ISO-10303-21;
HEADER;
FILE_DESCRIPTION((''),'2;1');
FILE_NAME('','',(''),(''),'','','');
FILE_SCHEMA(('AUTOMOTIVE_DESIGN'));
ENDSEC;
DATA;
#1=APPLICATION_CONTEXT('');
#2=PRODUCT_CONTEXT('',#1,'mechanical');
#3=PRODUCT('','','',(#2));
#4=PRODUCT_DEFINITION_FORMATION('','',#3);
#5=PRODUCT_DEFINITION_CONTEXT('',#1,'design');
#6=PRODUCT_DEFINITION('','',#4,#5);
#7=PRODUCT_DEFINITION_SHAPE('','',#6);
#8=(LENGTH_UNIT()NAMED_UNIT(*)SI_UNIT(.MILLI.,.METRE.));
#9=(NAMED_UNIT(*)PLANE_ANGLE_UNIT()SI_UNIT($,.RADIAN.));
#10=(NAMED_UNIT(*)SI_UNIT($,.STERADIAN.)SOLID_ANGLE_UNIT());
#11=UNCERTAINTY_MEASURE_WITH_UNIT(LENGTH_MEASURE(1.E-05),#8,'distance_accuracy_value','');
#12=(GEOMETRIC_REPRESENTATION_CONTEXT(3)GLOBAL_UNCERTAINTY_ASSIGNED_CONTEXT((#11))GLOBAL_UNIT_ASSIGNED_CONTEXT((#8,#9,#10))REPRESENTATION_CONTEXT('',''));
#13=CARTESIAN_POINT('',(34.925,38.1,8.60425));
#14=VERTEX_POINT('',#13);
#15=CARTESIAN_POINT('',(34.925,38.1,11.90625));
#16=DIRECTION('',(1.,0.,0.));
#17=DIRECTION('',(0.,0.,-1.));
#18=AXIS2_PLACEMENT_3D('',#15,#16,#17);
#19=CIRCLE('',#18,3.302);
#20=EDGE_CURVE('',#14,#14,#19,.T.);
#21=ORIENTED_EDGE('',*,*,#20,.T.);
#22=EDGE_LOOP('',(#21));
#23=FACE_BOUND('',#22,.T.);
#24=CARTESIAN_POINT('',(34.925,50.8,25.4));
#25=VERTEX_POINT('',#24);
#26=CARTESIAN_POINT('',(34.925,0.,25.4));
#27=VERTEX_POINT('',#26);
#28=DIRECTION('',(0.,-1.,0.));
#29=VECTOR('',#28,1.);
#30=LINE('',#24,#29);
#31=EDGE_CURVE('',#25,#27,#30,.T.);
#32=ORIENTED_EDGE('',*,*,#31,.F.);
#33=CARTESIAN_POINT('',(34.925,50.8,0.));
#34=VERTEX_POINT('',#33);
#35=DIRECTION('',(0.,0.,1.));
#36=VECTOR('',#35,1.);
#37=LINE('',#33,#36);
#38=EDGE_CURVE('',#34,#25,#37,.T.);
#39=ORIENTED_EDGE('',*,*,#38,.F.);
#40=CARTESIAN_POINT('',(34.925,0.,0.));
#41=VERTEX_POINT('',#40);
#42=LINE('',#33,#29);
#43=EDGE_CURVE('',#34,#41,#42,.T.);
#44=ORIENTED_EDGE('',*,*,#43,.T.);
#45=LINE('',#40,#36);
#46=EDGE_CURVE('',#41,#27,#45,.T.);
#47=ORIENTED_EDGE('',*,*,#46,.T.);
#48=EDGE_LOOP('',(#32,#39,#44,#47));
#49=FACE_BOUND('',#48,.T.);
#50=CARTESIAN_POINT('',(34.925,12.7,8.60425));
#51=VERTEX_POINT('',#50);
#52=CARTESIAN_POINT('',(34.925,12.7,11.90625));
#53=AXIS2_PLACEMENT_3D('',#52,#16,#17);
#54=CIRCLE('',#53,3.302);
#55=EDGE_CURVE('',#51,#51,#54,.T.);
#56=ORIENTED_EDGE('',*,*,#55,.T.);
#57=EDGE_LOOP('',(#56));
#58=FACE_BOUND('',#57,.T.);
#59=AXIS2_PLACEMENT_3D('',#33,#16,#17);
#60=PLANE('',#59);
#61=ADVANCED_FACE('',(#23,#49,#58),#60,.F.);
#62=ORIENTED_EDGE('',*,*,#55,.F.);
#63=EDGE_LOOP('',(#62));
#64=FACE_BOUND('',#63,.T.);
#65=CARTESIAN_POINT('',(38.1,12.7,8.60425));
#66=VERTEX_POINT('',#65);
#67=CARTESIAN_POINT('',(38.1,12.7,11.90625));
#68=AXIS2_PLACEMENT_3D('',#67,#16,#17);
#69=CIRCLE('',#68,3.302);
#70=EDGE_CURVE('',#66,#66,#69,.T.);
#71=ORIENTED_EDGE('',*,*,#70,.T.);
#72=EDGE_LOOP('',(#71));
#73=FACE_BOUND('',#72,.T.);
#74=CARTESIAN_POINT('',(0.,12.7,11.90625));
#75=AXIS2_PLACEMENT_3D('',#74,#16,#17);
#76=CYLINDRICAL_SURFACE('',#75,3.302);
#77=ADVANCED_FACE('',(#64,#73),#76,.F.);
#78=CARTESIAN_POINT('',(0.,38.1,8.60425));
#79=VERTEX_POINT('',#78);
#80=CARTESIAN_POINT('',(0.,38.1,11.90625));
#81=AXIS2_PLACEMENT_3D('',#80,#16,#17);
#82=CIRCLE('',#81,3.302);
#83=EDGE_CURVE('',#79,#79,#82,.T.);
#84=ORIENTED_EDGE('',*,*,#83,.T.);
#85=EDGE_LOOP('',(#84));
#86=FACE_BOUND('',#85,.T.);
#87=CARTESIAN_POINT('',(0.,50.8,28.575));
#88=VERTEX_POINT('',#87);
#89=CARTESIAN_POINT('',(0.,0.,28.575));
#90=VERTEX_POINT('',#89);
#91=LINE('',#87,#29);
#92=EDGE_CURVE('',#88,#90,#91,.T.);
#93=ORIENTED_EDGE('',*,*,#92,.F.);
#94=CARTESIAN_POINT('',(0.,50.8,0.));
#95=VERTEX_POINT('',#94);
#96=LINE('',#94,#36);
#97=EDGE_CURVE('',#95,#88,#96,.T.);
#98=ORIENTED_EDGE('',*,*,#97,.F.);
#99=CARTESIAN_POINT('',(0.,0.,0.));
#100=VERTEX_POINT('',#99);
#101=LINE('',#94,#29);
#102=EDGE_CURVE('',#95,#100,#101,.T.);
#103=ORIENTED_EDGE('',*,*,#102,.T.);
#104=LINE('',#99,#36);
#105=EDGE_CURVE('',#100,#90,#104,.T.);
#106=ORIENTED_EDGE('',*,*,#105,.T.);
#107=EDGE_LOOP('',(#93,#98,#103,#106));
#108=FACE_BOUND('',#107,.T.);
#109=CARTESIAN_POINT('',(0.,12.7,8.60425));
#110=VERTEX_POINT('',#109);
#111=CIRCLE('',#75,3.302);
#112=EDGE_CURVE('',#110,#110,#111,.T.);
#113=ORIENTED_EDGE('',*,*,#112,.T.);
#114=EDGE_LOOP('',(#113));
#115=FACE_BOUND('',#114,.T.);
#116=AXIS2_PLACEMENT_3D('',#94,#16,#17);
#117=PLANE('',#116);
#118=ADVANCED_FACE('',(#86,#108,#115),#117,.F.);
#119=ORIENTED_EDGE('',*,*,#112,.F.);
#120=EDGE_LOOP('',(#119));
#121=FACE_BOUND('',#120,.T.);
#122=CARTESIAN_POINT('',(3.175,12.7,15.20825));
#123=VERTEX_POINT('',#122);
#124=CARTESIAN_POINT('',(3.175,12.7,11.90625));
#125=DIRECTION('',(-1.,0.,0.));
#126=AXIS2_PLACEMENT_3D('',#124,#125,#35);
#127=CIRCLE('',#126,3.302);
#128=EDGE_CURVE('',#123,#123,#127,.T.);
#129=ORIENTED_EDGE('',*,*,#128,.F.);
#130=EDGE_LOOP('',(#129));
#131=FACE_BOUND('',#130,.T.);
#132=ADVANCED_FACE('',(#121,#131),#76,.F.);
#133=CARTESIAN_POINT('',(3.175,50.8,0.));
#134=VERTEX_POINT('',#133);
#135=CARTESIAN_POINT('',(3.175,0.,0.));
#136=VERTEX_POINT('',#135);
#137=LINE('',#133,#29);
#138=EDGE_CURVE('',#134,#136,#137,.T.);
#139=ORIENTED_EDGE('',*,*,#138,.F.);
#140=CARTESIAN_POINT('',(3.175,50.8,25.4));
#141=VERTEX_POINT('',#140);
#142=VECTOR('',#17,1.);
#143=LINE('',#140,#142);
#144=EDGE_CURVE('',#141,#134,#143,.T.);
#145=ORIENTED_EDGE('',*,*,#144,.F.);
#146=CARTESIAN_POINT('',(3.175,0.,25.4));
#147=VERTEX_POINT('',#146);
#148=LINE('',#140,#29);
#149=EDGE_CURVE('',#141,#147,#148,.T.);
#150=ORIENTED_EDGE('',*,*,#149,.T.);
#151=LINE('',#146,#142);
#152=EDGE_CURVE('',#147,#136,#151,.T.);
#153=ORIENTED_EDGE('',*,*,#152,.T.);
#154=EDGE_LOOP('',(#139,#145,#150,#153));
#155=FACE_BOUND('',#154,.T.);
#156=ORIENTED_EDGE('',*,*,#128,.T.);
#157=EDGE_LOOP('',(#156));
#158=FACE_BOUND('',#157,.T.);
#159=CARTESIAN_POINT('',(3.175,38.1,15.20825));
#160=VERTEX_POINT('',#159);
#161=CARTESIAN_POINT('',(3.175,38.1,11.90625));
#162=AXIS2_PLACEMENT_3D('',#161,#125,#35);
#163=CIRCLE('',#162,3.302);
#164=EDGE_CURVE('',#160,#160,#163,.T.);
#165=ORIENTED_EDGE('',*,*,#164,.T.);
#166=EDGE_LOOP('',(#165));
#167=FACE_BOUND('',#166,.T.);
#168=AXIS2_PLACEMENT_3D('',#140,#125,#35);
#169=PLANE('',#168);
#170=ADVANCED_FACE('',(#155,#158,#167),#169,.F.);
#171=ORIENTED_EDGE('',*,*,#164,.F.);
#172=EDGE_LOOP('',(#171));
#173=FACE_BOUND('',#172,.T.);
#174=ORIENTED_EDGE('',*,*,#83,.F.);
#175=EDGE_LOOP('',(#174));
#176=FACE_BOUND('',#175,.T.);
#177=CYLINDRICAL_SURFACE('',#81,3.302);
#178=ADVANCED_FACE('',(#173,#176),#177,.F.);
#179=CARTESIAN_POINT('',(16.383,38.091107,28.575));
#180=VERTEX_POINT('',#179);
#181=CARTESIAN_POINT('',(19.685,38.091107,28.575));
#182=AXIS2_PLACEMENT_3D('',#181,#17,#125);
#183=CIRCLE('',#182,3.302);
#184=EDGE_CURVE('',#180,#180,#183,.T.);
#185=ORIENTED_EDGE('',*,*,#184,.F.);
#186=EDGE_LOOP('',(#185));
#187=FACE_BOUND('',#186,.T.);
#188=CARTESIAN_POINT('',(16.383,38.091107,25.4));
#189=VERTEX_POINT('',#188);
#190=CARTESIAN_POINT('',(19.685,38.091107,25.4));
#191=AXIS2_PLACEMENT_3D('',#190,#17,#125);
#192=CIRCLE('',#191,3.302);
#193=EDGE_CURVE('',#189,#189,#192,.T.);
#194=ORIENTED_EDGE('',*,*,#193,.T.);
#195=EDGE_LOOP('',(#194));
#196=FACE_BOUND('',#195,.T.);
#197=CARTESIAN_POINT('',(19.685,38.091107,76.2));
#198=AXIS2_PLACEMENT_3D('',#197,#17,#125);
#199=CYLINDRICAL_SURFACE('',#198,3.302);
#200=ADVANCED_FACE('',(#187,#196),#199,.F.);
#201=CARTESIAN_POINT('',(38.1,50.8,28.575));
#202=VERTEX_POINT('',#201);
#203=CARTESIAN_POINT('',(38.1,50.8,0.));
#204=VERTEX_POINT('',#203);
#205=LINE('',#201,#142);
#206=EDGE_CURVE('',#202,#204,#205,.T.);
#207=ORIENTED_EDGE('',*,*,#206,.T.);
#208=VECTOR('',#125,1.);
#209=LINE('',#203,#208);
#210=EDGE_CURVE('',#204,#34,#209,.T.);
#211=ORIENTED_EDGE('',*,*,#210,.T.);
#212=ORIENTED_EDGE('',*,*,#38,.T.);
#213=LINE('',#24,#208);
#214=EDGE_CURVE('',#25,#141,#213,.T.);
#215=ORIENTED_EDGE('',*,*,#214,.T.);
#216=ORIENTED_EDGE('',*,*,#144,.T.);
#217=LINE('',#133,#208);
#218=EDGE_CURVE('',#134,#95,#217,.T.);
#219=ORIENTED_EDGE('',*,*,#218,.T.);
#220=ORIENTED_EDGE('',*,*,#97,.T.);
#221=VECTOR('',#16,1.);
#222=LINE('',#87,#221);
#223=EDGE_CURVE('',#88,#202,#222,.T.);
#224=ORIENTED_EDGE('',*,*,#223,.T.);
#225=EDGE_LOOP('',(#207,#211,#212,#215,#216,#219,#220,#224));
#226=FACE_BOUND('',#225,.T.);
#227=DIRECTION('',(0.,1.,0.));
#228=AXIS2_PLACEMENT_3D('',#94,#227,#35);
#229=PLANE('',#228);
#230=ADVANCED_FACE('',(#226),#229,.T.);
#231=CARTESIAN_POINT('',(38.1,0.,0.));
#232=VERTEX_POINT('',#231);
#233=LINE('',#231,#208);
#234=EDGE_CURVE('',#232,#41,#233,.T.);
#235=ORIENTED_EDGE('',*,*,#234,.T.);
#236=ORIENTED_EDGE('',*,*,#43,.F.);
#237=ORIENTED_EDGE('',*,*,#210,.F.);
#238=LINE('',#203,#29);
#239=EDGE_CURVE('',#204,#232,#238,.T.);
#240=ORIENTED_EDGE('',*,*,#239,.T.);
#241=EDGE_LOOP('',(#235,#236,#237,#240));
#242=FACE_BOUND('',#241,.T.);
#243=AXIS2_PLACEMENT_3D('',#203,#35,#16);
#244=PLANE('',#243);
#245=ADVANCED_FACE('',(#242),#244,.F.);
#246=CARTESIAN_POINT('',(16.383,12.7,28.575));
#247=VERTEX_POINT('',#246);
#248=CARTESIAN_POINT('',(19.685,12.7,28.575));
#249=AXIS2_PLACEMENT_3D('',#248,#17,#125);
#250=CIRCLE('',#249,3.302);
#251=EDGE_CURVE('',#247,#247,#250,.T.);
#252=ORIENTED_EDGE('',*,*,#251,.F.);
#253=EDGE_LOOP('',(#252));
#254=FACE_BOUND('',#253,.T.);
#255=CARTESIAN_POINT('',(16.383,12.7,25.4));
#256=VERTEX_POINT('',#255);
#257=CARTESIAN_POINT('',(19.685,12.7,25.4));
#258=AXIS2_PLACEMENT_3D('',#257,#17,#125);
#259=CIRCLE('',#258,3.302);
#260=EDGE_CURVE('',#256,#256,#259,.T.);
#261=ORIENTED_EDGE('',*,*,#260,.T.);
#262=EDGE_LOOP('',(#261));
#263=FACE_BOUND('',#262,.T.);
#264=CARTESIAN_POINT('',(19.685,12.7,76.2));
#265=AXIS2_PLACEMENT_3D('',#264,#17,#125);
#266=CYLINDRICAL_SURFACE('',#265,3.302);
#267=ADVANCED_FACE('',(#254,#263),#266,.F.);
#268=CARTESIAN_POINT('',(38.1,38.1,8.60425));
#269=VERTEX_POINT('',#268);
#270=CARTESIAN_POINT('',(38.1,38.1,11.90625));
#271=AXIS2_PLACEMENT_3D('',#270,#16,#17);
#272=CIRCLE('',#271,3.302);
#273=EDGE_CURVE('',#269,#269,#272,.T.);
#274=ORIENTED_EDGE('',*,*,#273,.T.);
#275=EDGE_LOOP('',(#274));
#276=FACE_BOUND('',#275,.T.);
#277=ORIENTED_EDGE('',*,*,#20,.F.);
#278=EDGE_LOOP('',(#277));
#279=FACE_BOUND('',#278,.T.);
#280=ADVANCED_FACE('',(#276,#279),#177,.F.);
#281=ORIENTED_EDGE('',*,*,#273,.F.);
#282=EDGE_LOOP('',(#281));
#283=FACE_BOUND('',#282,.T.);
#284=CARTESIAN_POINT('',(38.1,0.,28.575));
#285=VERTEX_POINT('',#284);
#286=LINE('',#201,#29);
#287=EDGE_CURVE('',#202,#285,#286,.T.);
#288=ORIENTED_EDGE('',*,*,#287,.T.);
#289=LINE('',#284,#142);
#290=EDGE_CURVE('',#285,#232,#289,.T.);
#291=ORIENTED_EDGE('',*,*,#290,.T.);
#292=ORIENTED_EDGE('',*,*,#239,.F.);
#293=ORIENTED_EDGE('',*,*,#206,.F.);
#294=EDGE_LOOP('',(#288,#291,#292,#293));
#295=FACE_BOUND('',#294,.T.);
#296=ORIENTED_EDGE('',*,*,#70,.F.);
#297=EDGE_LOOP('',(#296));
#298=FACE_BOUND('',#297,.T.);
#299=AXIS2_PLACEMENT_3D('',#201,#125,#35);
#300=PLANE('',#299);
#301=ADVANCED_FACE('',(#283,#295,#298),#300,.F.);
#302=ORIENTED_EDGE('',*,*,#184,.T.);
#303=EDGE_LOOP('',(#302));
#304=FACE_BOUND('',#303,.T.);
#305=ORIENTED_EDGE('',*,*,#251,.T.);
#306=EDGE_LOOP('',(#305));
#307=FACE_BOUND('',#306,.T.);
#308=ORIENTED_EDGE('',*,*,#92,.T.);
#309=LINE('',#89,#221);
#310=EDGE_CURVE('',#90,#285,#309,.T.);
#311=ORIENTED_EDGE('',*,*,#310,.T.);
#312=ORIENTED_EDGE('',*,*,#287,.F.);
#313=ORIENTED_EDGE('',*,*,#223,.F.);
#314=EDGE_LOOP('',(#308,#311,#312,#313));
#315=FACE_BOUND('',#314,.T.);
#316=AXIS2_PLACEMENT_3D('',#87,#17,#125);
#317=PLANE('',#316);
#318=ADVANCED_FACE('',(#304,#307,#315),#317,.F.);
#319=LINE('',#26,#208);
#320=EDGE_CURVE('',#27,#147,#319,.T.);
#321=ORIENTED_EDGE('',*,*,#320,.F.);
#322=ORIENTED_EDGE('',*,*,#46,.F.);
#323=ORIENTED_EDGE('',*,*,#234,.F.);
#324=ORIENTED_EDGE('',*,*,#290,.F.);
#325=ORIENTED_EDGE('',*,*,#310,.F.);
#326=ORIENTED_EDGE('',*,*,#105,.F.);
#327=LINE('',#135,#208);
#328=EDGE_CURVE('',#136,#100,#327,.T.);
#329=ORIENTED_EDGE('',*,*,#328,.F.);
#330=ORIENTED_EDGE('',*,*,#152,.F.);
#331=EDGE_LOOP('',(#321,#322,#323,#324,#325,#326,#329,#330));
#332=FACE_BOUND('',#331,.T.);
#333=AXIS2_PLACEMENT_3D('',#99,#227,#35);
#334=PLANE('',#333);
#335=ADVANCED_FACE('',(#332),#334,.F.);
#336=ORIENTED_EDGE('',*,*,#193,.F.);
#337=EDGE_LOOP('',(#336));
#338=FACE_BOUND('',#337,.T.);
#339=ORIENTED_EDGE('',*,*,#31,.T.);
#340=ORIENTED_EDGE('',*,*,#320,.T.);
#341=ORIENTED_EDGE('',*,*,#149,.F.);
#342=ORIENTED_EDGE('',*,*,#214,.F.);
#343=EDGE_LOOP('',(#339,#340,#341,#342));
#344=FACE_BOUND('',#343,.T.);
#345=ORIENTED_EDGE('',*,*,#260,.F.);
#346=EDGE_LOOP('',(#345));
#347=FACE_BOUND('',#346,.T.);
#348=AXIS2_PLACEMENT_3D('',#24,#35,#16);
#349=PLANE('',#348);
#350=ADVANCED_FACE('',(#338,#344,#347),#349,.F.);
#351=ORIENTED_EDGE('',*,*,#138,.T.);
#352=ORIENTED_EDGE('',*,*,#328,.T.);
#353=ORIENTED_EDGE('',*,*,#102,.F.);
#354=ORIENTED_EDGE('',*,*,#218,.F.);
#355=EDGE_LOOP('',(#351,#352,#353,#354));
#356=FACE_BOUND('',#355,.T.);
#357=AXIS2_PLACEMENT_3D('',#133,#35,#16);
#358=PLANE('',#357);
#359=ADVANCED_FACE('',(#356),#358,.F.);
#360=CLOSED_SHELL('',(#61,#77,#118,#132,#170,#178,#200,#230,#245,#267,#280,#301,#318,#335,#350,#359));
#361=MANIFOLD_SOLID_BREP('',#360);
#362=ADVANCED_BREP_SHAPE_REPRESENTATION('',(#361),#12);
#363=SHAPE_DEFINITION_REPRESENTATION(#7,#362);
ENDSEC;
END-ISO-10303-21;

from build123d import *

# Parameters (mm, degrees)
BOSS_EXTRUDE1_DEPTH = 50.8
SKETCH3_R           = 3.302
CUT_EXTRUDE1_DEPTH  = 50.8
SKETCH4_R           = 3.302
CUT_EXTRUDE2_DEPTH  = 70.633186233


with BuildPart() as part:
    # Sketch2 → Boss-Extrude1 (new body)
    with BuildSketch(Plane(origin=(0, 0, 0), x_dir=(1, 0, 0), z_dir=(0, 1, 0))):
        Polygon((0, 0), (0, -28.575), (38.1, -28.575), (38.1, 0), (34.925, 0), (34.925, -25.4), (3.175, -25.4), (3.175, 0), align=None)
    extrude(amount=BOSS_EXTRUDE1_DEPTH)

    # Sketch3 → Cut-Extrude1 (cut)
    with BuildSketch(Plane(origin=(0, 0, 25.4), x_dir=(-1, 0, 0), z_dir=(0, 0, -1))):
        with Locations((-19.685, 12.7)):
            Circle(SKETCH3_R)
        with Locations((-19.685, 38.091107032)):
            Circle(SKETCH3_R)
    extrude(amount=-CUT_EXTRUDE1_DEPTH, mode=Mode.SUBTRACT)

    # Sketch4 → Cut-Extrude2 (cut, through all)
    with BuildSketch(Plane(origin=(38.1, 0, 0), x_dir=(0, 0, -1), z_dir=(1, 0, 0))):
        with Locations((-11.90625, 38.1)):
            Circle(SKETCH4_R)
        with Locations((-11.90625, 12.7)):
            Circle(SKETCH4_R)
    extrude(amount=-CUT_EXTRUDE2_DEPTH, mode=Mode.SUBTRACT)


solid = part.part
